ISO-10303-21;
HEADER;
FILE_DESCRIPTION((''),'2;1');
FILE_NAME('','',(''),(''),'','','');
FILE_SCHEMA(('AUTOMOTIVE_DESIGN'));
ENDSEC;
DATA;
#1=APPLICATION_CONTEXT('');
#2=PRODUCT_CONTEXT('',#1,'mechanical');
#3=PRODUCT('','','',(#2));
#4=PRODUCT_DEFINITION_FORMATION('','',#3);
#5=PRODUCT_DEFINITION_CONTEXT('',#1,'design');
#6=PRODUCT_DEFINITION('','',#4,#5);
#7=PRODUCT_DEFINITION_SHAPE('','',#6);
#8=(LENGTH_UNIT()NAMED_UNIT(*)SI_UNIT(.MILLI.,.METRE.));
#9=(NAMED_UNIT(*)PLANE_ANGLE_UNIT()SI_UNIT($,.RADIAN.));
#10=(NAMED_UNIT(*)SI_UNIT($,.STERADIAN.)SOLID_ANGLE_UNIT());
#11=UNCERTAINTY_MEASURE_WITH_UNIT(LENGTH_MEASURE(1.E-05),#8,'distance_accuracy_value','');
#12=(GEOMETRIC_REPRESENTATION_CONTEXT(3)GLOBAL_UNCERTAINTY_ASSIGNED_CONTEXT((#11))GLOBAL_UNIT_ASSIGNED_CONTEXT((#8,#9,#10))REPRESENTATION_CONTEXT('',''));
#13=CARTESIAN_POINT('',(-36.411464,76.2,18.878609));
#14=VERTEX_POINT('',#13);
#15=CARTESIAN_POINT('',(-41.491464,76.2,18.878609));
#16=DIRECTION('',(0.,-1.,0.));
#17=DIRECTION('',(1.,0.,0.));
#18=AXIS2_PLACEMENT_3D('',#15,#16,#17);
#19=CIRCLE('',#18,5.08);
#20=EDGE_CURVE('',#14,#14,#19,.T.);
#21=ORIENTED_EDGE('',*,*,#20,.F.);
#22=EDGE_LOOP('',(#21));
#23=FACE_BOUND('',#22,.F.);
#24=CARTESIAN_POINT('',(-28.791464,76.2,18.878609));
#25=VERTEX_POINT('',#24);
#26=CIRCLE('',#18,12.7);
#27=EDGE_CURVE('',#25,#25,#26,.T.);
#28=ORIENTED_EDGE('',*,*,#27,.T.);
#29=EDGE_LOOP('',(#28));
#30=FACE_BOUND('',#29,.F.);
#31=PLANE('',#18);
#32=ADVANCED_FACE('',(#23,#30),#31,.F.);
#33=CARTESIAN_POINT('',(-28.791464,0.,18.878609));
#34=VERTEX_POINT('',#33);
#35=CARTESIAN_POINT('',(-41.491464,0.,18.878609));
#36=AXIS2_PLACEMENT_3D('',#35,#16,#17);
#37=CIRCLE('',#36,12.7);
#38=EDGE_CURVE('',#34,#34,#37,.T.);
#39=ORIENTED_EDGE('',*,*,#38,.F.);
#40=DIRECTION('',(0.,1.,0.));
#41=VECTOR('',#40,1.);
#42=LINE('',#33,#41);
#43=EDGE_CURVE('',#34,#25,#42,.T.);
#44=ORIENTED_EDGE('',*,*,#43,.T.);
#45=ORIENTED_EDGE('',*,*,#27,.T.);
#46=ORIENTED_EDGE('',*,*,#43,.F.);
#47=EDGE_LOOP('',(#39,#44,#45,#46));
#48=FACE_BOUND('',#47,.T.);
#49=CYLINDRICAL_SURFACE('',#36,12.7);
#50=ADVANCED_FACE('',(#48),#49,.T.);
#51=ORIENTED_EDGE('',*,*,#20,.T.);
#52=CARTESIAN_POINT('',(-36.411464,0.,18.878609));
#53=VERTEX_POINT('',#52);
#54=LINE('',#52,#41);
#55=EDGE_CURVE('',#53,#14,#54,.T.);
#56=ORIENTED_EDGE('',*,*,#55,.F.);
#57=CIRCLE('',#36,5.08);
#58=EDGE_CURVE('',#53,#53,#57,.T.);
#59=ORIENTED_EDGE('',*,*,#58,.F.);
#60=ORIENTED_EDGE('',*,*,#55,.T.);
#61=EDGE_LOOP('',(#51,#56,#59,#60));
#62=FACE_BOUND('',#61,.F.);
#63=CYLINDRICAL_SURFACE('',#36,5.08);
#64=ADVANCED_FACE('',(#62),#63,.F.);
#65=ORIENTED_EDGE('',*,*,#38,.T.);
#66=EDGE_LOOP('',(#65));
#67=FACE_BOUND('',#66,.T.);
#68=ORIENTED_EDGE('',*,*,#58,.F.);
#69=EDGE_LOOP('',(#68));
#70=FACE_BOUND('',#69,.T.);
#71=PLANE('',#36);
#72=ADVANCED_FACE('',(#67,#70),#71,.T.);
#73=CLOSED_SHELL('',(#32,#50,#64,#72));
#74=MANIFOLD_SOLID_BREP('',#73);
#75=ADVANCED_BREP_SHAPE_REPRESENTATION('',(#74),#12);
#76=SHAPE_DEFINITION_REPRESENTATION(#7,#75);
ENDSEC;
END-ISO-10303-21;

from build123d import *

# Parameters (mm, degrees)
F0_R     = 12.7
F0_R_2   = 5.08
F1_DEPTH = 76.2


with BuildPart() as f1:
    # F0 (on Front) → F1 (new body)
    with BuildSketch(Plane.XZ):
        with Locations((-41.491464, 18.878609)):
            Circle(F0_R)
        with Locations((-41.491464, 18.878609)):
            Circle(F0_R_2, mode=Mode.SUBTRACT)
    extrude(amount=-F1_DEPTH)


solid = f1.part
